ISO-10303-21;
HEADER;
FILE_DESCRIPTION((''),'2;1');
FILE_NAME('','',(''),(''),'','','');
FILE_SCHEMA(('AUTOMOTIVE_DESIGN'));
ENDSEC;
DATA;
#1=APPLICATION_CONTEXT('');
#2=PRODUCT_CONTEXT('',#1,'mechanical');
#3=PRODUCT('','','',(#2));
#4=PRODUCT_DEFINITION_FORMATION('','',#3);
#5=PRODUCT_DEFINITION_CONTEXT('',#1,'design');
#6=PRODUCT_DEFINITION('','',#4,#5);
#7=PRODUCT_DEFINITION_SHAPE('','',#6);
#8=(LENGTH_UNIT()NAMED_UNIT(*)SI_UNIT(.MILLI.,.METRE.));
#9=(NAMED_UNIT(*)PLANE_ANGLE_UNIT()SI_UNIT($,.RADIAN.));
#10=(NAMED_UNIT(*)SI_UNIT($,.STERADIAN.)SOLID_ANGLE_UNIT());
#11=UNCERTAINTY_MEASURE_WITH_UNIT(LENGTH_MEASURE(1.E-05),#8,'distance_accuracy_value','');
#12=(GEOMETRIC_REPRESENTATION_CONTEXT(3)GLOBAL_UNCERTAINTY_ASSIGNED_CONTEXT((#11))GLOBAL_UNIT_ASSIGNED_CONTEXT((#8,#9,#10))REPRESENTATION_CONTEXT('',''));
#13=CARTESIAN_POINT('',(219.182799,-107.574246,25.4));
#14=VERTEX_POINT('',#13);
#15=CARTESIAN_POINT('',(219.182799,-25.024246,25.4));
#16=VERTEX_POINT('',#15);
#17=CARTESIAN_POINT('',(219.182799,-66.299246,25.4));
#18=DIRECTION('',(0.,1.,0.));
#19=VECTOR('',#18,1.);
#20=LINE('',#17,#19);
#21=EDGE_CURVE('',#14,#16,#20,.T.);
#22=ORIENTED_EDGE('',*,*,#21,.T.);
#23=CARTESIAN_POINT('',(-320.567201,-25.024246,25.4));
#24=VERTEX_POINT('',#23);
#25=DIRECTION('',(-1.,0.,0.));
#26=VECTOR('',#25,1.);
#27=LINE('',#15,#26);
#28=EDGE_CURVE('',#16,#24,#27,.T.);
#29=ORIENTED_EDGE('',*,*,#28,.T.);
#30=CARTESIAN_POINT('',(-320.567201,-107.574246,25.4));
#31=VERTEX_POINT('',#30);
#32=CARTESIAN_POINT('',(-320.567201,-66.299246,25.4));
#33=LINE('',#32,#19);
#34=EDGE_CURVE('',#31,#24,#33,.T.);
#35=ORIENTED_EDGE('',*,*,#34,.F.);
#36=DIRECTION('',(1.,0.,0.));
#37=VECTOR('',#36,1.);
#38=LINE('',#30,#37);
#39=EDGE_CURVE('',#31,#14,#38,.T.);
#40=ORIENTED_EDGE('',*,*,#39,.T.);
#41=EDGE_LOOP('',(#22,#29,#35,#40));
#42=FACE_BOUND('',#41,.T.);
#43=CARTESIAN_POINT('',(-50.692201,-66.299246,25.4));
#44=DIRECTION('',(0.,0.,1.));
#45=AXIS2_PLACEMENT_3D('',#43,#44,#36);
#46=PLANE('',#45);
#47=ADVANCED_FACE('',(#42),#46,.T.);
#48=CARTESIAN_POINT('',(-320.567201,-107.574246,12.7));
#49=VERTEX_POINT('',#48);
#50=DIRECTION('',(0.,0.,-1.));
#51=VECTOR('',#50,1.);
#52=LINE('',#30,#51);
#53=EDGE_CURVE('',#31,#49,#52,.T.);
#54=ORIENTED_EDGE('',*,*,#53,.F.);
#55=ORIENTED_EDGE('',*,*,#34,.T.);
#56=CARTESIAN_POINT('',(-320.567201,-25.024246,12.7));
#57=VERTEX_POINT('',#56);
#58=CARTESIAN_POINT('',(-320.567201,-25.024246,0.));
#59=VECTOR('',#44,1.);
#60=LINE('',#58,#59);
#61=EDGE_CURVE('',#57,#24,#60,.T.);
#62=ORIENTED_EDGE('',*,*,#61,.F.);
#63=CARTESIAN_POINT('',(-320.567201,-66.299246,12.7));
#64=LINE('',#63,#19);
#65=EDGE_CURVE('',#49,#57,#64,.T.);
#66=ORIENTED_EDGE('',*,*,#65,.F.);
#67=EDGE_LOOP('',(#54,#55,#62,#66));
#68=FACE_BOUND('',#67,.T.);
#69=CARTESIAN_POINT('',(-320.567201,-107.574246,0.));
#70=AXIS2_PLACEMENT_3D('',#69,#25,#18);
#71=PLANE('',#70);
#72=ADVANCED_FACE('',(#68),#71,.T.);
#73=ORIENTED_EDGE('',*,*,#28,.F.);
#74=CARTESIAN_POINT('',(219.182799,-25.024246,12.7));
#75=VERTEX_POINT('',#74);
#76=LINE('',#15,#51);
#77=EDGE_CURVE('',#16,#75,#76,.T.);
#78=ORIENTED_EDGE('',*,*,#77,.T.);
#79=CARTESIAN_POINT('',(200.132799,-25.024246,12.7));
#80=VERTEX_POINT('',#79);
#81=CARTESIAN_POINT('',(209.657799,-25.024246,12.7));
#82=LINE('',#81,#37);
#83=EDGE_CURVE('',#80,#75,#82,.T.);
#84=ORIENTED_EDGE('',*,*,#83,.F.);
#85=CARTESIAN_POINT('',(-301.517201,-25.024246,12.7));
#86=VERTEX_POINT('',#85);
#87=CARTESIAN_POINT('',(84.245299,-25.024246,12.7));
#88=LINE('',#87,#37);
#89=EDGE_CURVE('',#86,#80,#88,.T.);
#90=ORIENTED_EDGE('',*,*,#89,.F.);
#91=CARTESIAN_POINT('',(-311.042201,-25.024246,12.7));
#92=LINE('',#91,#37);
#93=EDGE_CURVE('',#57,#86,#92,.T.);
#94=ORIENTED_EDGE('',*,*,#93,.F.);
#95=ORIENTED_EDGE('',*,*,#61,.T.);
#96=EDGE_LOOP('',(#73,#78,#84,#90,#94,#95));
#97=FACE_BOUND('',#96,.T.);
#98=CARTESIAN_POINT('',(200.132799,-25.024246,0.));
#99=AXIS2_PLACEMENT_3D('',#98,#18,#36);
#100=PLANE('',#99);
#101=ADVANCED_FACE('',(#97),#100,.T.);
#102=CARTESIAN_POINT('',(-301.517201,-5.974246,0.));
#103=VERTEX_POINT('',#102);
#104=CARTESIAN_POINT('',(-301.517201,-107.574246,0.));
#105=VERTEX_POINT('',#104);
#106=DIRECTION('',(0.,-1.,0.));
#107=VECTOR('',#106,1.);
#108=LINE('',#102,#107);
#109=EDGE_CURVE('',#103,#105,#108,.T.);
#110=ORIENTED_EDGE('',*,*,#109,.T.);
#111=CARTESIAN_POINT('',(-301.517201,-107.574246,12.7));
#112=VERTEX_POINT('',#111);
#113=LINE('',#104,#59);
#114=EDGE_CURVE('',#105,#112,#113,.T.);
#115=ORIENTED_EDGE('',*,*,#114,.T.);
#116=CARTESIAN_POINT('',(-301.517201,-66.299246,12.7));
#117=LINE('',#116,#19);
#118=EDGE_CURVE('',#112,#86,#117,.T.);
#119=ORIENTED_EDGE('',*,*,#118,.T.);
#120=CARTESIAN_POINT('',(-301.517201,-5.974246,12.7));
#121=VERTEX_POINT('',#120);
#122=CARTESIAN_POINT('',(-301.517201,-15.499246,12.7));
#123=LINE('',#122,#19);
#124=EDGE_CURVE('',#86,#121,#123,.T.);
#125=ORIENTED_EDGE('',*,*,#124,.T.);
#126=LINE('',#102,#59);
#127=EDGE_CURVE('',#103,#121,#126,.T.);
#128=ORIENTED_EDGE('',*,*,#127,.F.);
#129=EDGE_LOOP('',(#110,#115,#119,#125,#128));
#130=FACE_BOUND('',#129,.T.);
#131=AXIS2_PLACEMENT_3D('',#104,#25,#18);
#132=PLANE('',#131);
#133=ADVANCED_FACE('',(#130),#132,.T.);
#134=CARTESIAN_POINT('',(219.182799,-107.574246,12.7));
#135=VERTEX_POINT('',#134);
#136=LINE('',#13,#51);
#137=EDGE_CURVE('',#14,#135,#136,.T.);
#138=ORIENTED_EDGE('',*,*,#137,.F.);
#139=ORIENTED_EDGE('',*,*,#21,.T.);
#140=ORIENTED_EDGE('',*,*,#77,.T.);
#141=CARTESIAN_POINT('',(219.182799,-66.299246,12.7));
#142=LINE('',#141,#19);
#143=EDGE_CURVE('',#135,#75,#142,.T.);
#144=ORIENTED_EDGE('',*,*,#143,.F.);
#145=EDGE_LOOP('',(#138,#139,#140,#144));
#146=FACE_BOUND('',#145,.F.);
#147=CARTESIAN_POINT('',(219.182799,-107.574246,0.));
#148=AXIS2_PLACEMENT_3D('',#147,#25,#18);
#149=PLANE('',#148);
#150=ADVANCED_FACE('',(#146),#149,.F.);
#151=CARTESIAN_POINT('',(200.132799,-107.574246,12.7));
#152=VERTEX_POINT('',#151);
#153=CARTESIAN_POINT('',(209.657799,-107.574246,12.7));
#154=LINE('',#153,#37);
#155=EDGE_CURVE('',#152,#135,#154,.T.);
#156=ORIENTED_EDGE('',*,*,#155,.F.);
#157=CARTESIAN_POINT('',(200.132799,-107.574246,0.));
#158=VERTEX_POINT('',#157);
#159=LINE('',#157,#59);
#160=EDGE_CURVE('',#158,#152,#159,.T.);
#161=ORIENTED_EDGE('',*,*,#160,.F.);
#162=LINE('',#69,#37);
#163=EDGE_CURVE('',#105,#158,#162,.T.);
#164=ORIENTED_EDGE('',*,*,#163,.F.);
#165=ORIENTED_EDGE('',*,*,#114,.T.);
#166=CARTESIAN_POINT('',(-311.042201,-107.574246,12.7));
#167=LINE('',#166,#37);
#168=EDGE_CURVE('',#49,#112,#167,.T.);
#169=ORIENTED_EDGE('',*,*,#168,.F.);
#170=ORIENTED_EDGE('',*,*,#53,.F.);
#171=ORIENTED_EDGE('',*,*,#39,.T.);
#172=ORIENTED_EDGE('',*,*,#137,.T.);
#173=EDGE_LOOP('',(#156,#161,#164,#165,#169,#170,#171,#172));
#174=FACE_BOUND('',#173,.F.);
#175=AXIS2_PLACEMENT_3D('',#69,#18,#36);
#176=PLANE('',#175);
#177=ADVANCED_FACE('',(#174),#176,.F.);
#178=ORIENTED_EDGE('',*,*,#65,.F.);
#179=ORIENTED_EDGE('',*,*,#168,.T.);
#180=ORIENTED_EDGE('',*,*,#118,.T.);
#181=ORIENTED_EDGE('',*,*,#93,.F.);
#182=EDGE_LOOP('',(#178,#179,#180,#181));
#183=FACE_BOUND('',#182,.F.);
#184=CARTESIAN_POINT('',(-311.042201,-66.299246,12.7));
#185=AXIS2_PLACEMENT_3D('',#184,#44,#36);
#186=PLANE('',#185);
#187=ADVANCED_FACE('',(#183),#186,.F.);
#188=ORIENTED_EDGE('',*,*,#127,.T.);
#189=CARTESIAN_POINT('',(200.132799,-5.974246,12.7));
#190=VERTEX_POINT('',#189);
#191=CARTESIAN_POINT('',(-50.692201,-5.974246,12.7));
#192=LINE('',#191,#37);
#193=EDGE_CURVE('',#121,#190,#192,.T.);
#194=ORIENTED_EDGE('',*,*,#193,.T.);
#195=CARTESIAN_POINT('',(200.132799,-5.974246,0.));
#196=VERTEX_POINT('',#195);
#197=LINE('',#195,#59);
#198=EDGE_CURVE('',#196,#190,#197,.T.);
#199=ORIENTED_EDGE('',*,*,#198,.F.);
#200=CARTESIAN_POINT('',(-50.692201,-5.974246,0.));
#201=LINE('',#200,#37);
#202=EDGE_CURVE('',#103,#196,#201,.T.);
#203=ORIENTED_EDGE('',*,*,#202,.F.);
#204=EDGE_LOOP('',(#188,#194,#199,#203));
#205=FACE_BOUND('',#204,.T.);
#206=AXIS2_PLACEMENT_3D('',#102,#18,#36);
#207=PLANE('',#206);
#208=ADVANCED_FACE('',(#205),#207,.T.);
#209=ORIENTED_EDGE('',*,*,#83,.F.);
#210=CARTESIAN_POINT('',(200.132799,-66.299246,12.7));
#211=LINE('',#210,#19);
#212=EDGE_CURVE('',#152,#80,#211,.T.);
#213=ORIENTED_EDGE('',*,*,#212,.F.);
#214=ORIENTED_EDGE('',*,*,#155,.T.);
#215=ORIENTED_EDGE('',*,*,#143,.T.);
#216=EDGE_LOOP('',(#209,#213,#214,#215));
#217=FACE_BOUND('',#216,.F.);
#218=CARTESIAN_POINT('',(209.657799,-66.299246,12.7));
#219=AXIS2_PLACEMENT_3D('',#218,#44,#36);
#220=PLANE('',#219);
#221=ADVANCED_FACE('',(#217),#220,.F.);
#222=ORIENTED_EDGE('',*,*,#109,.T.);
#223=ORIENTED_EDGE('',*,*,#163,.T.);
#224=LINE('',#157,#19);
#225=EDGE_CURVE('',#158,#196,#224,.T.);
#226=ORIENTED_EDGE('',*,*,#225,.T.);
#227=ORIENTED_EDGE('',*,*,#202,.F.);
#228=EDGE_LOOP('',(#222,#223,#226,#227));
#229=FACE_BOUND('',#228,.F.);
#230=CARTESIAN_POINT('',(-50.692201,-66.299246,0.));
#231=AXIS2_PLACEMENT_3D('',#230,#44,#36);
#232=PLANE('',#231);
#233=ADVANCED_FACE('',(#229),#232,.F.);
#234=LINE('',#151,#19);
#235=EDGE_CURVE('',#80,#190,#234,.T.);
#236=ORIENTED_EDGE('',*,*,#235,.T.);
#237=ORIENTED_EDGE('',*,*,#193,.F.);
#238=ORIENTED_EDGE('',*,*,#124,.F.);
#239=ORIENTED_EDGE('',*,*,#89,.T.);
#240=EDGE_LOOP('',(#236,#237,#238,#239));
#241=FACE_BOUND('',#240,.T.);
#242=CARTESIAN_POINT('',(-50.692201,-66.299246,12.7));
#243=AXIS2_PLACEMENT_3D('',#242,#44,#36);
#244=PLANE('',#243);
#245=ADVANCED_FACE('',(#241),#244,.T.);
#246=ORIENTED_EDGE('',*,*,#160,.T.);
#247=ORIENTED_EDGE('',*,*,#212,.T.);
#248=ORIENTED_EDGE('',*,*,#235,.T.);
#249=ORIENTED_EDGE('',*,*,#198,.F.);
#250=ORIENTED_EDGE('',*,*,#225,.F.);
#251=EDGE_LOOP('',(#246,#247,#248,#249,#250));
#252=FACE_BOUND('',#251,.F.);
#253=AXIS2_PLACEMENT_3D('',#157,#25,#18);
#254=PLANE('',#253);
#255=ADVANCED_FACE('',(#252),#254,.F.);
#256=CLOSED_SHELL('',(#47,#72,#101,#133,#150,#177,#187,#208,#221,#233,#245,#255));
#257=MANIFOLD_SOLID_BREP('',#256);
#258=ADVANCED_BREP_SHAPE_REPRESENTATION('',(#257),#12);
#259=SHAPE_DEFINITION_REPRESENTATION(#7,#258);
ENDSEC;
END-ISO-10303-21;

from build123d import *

# Parameters (mm, degrees)
F0_W     = 501.65
F0_H     = 82.55
F0_W_2   = 19.05
F0_H_2   = 19.05
F1_DEPTH = 12.7
F2_DEPTH = 25.4
F3_DEPTH = 12.7


with BuildPart() as f1:
    # F0 (on Top) → F1 (new body)
    with BuildSketch(Plane.XY):
        with Locations((-50.692200847, -66.2992455751)):
            Rectangle(F0_W, F0_H)
        with Locations((-311.042200847, -66.2992455751)):
            Rectangle(F0_W_2, F0_H)
        with Locations((-50.692200847, -15.4992455751)):
            Rectangle(F0_W, F0_H_2)
        with Locations((209.657799153, -66.2992455751)):
            Rectangle(F0_W_2, F0_H)
    extrude(amount=F1_DEPTH)

    # F0 (on Top) → F2 (join)
    with BuildSketch(Plane.XY):
        with Locations((-50.692200847, -66.2992455751)):
            Rectangle(F0_W, F0_H)
        with Locations((-311.042200847, -66.2992455751)):
            Rectangle(F0_W_2, F0_H)
        with Locations((209.657799153, -66.2992455751)):
            Rectangle(F0_W_2, F0_H)
    extrude(amount=F2_DEPTH)

    # F0 (on Top) → F3 (cut)
    with BuildSketch(Plane.XY):
        with Locations((-311.042200847, -66.2992455751)):
            Rectangle(F0_W_2, F0_H)
        with Locations((209.657799153, -66.2992455751)):
            Rectangle(F0_W_2, F0_H)
    extrude(amount=F3_DEPTH, mode=Mode.SUBTRACT)


solid = f1.part
